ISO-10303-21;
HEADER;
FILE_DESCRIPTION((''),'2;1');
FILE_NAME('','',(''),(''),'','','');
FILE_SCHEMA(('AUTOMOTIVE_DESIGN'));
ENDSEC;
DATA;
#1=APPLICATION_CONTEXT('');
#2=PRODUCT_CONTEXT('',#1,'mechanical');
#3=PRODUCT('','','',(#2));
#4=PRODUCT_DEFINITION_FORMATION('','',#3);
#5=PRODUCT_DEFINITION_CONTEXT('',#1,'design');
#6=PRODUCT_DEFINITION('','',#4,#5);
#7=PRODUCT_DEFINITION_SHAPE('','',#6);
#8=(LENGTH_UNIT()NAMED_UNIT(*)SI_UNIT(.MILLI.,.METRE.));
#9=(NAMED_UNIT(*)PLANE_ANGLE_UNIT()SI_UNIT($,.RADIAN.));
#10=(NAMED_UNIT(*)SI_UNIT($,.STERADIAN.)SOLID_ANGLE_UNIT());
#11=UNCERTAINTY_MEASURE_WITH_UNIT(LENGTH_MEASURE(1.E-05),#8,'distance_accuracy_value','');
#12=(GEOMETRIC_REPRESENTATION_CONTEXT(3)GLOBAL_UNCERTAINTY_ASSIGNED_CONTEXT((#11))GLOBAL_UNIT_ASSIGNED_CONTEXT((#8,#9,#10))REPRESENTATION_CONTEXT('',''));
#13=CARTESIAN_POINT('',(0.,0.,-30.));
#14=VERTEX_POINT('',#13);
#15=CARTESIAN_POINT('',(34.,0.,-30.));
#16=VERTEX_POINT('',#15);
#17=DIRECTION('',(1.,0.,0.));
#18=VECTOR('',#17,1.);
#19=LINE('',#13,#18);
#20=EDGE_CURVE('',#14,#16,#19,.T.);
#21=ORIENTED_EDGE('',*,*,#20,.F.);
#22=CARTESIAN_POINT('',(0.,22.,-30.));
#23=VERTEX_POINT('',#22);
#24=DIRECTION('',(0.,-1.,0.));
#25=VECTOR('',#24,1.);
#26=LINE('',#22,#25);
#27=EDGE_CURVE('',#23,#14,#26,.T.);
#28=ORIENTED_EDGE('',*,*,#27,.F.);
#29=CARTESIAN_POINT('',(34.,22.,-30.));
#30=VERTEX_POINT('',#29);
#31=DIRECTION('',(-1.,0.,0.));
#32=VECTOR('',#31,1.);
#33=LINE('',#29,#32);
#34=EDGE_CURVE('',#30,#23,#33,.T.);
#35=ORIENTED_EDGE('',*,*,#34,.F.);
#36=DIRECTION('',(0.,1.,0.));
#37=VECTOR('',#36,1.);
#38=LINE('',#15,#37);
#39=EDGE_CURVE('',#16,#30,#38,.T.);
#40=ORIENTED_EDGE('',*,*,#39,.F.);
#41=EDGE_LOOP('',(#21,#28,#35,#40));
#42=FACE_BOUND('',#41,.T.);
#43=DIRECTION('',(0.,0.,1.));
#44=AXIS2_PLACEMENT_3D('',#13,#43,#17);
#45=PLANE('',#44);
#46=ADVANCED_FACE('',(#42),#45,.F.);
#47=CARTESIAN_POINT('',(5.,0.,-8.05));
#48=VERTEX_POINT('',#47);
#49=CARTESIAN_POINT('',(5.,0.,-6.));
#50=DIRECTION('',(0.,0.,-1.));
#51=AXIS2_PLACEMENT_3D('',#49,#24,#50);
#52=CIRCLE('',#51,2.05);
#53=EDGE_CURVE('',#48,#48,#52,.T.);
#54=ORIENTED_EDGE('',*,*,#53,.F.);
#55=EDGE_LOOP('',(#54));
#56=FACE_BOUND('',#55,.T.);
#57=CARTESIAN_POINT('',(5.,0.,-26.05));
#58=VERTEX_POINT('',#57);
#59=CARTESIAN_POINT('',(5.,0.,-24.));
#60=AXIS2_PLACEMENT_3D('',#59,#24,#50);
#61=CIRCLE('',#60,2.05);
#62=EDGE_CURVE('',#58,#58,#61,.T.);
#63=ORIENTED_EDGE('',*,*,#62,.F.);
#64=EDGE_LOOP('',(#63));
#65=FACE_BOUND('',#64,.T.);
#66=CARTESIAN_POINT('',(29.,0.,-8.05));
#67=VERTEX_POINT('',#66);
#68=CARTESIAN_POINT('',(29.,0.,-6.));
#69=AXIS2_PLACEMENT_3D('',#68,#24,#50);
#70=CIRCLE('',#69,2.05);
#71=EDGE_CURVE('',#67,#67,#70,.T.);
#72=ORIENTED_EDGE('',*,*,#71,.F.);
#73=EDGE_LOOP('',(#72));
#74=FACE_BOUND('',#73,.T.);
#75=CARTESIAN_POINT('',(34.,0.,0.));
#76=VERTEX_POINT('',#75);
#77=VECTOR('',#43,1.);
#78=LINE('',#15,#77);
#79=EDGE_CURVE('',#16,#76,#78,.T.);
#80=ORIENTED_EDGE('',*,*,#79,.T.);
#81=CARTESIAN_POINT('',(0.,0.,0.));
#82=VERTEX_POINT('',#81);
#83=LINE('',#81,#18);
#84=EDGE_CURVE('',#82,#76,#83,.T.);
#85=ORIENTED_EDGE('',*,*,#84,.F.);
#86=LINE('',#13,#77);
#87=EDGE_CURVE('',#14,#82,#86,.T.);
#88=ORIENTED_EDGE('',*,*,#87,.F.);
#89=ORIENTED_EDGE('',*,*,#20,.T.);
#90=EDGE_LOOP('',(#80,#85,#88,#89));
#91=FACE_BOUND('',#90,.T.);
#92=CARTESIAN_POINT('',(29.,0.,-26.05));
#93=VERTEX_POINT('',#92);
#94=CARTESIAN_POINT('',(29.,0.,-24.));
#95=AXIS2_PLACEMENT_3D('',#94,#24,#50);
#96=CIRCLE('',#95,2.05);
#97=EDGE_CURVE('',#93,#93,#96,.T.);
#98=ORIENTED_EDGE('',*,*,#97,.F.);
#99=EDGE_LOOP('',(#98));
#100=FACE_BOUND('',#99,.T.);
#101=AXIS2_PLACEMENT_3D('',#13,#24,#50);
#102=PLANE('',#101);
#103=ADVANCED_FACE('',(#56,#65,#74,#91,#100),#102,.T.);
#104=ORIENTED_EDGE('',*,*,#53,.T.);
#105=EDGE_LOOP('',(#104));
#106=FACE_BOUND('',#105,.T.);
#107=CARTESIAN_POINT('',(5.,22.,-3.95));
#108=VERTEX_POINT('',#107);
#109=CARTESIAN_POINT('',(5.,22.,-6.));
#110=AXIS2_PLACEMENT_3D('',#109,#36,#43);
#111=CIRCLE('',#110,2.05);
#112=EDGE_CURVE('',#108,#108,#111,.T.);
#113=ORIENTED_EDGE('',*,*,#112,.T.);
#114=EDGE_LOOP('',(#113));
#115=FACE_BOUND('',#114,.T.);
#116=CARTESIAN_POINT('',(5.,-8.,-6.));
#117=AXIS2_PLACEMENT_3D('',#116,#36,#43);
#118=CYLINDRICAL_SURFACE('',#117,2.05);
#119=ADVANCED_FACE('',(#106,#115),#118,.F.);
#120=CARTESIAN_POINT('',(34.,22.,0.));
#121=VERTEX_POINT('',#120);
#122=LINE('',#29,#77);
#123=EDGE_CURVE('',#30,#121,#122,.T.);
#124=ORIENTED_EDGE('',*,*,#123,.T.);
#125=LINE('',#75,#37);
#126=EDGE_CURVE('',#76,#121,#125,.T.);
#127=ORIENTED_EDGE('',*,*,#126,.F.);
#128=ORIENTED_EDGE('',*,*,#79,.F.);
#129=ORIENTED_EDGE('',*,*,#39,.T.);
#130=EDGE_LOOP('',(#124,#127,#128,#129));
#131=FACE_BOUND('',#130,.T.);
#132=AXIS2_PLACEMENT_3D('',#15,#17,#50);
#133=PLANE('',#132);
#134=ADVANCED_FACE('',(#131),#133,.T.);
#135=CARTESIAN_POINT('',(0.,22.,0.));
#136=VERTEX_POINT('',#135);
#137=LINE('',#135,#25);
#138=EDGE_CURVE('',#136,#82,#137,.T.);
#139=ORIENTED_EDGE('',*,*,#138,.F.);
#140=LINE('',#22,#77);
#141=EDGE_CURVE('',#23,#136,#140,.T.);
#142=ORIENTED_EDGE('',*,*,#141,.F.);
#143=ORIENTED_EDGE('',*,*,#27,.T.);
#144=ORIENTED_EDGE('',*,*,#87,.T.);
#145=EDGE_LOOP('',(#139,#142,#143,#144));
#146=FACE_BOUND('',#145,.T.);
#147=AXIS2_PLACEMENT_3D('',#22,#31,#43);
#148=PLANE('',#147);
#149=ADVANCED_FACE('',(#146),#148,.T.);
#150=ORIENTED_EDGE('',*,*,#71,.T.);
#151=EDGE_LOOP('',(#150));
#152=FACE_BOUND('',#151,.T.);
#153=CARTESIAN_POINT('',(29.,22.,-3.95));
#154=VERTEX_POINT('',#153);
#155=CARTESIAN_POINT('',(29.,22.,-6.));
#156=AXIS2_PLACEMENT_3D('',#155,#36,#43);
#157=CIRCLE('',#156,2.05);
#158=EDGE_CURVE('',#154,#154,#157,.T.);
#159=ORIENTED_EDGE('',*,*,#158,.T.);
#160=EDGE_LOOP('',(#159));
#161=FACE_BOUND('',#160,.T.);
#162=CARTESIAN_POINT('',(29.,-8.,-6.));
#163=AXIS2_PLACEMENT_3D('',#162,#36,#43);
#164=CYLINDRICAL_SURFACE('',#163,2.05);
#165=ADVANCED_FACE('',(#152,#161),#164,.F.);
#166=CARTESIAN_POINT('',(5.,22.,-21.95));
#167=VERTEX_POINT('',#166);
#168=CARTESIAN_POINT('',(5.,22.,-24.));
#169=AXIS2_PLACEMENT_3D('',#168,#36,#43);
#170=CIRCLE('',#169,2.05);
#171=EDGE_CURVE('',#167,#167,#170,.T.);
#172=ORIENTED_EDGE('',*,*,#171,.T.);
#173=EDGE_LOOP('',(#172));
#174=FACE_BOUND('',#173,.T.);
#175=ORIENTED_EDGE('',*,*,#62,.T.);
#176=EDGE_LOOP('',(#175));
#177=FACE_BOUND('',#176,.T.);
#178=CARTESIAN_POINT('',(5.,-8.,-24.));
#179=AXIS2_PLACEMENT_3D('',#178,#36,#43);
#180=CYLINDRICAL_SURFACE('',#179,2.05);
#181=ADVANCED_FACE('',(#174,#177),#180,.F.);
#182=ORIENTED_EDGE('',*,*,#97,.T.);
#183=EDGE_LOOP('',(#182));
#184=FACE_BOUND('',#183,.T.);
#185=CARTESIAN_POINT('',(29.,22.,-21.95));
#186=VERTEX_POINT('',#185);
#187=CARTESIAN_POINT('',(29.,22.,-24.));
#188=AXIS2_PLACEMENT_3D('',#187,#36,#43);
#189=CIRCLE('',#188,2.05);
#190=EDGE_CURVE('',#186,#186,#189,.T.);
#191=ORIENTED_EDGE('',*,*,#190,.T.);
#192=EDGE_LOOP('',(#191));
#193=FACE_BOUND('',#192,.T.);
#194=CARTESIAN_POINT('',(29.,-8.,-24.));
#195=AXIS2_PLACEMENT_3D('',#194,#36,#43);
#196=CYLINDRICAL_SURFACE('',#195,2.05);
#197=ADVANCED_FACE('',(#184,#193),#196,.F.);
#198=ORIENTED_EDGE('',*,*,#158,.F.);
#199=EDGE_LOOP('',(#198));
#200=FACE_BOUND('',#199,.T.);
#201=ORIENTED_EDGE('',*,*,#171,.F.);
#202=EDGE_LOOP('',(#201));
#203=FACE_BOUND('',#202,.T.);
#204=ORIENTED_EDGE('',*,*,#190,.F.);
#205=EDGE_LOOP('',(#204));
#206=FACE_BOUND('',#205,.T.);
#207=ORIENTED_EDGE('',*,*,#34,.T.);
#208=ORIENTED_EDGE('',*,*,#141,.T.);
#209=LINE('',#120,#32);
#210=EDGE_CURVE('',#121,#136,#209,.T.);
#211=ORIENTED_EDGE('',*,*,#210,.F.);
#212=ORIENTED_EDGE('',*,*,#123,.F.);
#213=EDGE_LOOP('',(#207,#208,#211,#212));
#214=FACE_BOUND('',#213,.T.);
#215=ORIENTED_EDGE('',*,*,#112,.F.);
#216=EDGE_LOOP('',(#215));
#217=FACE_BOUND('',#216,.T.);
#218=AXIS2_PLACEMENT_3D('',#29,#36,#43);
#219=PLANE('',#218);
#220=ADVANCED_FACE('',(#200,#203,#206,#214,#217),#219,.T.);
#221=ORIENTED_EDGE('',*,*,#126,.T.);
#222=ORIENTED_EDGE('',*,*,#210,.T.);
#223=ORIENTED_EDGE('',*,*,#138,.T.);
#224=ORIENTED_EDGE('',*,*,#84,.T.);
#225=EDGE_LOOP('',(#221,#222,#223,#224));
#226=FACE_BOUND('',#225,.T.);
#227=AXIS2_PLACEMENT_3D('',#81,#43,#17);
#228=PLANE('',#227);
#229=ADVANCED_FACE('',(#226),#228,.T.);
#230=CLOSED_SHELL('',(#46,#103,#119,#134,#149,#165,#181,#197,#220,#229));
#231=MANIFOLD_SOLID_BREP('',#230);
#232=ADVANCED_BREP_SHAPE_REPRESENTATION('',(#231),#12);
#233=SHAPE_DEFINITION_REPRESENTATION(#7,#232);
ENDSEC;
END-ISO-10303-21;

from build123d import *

# Parameters (mm, degrees)
SKETCH2_W           = 34
SKETCH2_H           = 22
BOSS_EXTRUDE1_DEPTH = 30
SKETCH3_R           = 2.05
CUT_EXTRUDE1_DEPTH  = 30


with BuildPart() as part:
    # Sketch2 → Boss-Extrude1 (new body)
    with BuildSketch(Plane.XY):
        with Locations((17, 11)):
            Rectangle(SKETCH2_W, SKETCH2_H)
    extrude(amount=-BOSS_EXTRUDE1_DEPTH)

    # Sketch3 → Cut-Extrude1 (cut)
    with BuildSketch(Plane(origin=(0, 22, 0), x_dir=(1, 0, 0), z_dir=(0, 1, 0))):
        with Locations(Location((29, 6, 0), (0, 0, 270))):
            Circle(SKETCH3_R)
        with Locations(Location((5, 6, 0), (0, 0, 270))):
            Circle(SKETCH3_R)
        with Locations(Location((5, 24, 0), (0, 0, 270))):
            Circle(SKETCH3_R)
        with Locations(Location((29, 24, 0), (0, 0, 270))):
            Circle(SKETCH3_R)
    extrude(amount=-CUT_EXTRUDE1_DEPTH, mode=Mode.SUBTRACT)


solid = part.part
